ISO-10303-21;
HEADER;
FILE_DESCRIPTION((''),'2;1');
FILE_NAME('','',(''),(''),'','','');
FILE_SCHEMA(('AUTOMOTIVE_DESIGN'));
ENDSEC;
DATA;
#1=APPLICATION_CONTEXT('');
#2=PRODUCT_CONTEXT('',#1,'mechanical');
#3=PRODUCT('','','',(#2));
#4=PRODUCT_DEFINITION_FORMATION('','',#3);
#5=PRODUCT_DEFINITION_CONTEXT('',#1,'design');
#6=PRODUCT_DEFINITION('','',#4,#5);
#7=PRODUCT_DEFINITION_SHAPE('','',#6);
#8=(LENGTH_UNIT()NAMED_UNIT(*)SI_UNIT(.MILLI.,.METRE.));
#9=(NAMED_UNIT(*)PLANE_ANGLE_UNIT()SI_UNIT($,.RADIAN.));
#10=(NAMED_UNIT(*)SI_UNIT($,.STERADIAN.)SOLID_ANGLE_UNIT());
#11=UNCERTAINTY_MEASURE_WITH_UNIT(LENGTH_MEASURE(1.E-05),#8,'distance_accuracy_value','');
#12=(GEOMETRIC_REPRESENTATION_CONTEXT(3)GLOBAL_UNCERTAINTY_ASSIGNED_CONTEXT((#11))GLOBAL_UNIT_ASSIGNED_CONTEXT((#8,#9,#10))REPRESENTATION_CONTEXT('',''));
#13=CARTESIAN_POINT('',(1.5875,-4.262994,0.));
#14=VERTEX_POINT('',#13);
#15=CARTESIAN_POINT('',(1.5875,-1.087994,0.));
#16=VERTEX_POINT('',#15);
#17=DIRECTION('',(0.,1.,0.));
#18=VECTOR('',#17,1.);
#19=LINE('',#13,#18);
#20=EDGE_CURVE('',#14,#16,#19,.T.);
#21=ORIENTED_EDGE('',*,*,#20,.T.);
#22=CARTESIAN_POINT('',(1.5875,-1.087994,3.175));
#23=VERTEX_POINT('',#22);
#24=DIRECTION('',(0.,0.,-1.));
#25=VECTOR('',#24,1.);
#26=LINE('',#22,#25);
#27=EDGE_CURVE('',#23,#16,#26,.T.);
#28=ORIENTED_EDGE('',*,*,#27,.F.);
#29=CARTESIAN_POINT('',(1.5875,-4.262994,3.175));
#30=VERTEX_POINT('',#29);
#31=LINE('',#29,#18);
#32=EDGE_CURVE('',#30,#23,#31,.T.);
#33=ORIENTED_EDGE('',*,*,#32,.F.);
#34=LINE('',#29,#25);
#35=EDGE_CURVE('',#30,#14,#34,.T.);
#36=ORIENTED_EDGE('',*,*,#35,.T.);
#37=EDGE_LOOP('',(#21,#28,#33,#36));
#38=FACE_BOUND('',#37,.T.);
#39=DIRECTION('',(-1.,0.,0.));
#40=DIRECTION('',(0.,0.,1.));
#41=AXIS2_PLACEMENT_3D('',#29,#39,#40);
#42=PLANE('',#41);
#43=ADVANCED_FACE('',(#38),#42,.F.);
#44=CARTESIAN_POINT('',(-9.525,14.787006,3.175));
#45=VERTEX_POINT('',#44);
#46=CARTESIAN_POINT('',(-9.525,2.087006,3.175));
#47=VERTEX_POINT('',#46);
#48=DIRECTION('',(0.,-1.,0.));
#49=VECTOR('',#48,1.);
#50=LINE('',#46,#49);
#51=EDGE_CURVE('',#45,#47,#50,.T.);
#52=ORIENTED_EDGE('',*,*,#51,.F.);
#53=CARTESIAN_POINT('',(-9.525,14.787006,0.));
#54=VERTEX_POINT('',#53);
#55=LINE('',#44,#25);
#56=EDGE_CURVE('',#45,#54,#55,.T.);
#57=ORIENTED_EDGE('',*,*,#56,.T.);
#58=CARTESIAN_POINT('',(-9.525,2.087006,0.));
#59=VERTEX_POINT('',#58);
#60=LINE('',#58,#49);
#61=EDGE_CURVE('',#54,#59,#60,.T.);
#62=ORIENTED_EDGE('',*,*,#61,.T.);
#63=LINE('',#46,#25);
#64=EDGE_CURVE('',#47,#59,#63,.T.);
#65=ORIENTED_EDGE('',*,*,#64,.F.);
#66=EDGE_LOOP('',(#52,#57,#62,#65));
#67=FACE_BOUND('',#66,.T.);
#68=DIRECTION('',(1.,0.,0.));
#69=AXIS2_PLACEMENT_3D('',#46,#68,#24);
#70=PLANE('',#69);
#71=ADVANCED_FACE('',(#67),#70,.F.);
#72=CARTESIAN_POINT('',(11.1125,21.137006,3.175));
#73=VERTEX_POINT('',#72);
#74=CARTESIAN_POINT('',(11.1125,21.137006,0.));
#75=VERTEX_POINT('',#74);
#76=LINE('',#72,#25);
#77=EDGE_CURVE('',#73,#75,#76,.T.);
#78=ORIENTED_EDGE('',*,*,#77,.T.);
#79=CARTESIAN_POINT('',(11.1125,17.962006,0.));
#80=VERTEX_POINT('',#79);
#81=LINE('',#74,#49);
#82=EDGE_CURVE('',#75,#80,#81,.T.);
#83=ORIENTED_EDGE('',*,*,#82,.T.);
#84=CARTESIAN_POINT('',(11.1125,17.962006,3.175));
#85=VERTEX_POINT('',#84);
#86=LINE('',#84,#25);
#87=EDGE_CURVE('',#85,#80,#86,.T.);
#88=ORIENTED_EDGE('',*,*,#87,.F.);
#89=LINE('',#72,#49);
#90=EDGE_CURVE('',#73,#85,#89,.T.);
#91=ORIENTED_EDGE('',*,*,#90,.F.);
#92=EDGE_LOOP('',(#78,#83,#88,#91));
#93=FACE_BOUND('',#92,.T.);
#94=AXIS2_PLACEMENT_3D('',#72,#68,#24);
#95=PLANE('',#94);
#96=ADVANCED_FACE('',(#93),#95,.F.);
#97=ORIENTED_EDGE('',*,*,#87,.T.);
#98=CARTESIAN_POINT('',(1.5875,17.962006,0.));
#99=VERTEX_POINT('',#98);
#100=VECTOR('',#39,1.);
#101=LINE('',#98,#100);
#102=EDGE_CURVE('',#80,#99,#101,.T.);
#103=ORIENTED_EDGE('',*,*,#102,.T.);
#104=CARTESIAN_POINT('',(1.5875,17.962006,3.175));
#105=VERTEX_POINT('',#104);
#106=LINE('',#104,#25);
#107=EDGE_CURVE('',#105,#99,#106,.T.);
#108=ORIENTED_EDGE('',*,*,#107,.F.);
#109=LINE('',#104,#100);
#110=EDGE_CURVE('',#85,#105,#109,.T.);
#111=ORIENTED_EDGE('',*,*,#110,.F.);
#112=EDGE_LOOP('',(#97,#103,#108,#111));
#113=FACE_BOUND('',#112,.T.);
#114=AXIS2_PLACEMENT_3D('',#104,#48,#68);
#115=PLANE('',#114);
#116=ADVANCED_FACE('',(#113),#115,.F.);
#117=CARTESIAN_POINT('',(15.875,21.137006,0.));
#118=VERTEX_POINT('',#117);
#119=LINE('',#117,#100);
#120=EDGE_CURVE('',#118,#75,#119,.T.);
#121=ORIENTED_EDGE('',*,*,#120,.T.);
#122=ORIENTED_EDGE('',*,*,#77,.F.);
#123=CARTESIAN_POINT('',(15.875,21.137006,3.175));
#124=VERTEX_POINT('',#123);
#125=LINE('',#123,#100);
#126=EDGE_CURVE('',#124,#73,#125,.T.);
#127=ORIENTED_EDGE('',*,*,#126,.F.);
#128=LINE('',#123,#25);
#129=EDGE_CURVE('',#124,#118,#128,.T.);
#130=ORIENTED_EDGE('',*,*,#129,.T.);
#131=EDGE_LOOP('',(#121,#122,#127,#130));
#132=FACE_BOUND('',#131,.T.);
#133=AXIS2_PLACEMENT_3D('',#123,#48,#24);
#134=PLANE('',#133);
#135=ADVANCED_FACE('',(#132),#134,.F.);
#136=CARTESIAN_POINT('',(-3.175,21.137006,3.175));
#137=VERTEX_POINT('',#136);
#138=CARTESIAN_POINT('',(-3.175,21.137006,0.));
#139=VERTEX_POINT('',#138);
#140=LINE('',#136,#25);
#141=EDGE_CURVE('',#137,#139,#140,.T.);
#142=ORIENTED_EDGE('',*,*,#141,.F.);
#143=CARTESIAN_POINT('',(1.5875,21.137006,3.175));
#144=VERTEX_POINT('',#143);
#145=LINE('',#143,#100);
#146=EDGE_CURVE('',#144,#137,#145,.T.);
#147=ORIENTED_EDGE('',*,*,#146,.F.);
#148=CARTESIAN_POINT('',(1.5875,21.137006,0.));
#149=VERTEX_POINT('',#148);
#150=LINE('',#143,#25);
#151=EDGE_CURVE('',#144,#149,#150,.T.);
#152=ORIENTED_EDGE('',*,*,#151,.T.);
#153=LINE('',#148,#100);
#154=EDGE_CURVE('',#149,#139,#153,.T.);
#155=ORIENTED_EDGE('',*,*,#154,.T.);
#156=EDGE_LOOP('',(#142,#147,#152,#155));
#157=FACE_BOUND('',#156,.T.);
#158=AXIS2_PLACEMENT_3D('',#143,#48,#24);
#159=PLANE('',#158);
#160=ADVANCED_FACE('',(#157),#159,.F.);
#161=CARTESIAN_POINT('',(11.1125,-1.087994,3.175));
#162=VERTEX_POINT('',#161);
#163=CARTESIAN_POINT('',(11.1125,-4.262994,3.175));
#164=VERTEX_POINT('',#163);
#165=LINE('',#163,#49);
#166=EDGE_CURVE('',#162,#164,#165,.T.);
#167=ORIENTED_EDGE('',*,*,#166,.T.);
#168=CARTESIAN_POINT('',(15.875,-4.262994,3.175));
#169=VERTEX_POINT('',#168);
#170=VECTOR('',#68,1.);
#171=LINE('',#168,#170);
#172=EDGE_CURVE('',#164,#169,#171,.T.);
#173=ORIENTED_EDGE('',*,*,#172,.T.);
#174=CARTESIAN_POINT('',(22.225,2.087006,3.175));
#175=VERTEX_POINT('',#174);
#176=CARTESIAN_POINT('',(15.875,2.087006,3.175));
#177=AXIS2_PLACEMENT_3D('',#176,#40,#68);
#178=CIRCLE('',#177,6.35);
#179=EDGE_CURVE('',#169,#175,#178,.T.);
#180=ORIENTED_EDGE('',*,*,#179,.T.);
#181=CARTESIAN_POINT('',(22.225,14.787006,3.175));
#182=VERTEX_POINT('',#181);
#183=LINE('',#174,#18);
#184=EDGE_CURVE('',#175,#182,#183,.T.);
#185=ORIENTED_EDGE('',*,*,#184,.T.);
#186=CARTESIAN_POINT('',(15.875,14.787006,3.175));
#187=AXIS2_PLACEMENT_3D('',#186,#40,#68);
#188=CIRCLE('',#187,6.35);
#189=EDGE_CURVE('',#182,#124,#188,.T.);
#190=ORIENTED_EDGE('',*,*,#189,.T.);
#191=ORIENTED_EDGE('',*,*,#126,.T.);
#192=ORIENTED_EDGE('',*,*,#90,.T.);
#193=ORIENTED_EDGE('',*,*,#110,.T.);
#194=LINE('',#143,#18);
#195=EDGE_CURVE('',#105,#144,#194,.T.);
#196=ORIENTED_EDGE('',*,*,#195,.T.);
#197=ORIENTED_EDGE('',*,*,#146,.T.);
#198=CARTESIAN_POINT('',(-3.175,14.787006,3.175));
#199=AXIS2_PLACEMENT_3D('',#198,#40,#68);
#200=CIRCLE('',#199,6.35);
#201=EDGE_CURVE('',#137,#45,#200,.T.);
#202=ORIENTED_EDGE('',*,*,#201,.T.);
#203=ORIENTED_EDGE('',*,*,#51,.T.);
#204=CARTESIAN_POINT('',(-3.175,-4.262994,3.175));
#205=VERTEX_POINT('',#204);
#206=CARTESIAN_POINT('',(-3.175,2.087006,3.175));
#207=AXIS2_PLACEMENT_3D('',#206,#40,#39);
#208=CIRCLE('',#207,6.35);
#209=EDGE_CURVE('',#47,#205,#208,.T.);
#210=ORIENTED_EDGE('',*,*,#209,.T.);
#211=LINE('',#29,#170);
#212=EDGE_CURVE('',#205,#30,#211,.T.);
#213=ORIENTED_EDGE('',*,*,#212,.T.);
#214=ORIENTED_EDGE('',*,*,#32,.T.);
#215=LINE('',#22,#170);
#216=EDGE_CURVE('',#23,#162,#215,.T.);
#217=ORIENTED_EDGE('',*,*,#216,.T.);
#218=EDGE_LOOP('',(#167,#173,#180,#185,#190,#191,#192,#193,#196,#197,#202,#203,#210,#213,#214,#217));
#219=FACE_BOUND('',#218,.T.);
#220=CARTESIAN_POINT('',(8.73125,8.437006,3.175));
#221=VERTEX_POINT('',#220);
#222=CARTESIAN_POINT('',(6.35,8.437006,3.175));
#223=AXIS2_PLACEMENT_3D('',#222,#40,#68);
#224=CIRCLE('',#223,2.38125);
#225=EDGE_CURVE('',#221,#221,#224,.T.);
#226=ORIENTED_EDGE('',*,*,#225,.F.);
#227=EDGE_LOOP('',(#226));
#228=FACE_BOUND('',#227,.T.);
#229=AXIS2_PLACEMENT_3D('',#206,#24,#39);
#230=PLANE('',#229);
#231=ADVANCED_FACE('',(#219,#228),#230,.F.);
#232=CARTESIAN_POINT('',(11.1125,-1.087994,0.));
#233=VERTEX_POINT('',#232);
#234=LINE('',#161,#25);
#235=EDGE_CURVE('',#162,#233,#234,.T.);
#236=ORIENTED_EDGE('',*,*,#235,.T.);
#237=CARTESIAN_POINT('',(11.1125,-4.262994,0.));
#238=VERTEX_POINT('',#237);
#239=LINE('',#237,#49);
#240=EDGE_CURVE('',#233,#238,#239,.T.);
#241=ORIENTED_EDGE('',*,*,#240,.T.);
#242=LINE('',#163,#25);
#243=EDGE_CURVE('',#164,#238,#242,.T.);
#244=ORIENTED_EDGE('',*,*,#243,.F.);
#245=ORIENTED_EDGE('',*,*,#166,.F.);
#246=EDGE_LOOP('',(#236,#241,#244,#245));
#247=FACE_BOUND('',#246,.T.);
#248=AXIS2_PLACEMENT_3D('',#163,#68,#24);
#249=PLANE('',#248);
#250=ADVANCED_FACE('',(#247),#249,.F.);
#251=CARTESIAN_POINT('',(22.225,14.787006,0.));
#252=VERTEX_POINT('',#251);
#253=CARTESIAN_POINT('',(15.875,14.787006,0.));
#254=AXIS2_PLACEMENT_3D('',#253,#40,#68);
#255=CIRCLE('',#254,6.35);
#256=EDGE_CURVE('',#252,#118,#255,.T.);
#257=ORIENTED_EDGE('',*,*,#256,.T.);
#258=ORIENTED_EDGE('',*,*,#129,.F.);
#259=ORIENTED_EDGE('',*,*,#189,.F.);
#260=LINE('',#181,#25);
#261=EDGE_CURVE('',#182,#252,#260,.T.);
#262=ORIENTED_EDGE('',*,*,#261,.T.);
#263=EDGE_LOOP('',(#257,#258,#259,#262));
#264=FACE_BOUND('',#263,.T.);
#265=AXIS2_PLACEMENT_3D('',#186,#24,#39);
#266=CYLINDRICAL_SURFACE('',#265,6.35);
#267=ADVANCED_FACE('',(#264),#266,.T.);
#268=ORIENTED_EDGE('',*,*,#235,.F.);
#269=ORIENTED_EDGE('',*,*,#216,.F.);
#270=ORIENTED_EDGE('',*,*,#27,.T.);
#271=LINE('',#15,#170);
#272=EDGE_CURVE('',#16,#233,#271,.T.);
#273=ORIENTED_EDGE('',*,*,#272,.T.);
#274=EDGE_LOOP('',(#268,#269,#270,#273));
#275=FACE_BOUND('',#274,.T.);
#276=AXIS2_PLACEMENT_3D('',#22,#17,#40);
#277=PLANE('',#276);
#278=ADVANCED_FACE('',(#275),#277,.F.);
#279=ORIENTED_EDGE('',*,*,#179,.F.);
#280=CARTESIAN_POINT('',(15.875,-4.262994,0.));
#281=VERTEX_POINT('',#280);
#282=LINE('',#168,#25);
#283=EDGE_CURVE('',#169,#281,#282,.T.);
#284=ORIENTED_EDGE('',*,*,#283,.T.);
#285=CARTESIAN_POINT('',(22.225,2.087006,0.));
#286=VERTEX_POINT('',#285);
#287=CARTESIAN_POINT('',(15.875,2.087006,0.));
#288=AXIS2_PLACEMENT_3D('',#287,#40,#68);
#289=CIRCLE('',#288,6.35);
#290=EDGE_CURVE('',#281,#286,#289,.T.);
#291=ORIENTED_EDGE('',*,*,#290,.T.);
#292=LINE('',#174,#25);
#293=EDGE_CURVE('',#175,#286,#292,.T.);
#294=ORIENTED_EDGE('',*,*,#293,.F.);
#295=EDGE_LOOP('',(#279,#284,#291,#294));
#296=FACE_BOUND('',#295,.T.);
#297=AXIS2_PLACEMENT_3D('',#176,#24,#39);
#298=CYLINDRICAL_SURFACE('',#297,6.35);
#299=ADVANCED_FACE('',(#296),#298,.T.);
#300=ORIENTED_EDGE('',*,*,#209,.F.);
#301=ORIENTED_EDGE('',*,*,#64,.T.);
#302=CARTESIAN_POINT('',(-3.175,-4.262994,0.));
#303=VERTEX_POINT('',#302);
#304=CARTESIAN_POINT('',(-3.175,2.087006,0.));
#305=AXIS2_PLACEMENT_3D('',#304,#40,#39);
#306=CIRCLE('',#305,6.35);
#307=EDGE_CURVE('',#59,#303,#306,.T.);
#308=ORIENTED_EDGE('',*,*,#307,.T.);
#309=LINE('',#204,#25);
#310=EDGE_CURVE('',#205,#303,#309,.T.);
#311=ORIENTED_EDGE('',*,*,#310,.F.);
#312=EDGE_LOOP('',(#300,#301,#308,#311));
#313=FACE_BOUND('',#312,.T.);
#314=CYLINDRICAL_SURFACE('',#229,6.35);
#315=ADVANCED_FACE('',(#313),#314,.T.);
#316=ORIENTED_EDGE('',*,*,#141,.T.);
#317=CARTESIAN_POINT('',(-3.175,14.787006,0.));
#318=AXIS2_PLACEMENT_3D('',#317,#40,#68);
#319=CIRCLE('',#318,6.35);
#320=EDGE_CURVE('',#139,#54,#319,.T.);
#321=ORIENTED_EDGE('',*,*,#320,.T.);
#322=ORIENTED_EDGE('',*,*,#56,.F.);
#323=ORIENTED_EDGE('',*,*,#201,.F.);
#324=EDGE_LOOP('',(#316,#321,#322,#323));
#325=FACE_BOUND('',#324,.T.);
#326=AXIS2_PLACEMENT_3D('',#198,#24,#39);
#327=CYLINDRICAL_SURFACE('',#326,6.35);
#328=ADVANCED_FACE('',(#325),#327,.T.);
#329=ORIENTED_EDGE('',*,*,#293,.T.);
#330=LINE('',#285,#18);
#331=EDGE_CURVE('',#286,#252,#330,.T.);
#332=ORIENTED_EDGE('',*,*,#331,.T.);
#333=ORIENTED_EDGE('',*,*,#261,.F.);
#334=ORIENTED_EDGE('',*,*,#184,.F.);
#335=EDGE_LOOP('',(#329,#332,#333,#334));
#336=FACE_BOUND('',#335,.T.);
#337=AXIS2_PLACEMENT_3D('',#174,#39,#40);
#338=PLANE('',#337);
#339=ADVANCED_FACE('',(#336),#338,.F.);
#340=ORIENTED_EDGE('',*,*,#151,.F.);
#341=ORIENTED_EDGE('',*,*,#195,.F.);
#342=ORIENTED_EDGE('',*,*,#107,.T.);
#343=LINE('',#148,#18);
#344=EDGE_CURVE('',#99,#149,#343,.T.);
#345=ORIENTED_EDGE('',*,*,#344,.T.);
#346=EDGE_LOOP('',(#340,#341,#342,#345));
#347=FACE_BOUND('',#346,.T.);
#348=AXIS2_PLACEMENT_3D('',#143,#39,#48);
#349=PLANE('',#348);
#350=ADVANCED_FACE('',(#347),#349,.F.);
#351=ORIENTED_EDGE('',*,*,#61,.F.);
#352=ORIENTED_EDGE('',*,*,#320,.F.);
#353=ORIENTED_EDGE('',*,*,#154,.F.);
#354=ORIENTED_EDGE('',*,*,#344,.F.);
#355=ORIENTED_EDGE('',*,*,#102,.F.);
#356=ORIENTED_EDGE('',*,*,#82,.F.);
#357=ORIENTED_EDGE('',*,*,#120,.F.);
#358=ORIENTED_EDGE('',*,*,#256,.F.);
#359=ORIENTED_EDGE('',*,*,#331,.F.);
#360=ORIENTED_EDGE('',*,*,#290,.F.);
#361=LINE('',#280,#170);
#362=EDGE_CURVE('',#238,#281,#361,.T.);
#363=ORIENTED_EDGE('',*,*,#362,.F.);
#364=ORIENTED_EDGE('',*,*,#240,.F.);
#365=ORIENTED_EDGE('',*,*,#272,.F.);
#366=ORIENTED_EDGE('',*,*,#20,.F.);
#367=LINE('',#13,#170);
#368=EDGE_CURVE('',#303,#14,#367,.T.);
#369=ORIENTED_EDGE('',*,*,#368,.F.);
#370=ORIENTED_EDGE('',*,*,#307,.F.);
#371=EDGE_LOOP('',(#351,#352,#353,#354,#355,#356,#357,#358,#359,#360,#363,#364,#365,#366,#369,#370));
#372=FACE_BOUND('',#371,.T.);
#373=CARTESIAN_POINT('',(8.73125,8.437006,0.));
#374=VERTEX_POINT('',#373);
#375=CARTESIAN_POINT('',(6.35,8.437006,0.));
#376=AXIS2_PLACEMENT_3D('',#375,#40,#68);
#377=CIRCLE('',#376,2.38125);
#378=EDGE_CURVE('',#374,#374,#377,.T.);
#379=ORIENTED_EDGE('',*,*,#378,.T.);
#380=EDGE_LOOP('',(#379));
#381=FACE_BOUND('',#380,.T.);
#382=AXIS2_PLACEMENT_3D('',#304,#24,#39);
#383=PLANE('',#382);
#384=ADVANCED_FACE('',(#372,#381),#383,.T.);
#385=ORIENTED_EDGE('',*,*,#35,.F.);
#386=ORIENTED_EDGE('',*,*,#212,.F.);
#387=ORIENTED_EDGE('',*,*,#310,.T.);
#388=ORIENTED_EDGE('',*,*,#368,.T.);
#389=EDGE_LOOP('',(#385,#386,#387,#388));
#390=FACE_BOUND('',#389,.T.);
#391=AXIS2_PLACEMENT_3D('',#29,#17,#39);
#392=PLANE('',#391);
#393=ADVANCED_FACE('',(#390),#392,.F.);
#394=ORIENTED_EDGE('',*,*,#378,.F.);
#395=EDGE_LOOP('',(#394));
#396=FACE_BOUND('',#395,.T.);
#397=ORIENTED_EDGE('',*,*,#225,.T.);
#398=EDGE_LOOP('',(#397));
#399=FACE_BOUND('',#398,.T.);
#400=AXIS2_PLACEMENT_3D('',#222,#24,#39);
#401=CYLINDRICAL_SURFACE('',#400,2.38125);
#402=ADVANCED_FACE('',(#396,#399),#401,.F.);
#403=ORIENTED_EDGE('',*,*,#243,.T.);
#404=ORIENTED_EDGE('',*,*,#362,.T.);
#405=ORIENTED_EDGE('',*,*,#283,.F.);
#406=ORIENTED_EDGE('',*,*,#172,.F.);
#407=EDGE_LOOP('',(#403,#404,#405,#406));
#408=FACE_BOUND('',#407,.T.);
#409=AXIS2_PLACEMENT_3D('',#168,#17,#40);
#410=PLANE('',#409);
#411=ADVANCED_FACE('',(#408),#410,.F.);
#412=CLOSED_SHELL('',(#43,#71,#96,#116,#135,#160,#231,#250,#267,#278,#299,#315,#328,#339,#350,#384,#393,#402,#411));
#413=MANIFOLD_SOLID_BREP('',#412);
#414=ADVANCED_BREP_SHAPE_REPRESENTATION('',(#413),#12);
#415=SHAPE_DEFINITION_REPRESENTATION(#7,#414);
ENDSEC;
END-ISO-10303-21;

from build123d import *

# Parameters (mm, degrees)
SKETCH1_R           = 2.38125
BOSS_EXTRUDE1_DEPTH = 3.175


with BuildPart() as part:
    # Sketch1 → Boss-Extrude1 (new body)
    with BuildSketch(Plane.XY):
        with BuildLine():
            Line((1.5875, 21.137006158), (-3.175, 21.137006158))
            ThreePointArc((-3.175, 21.137006158), (-7.665128061, 19.277134219), (-9.525, 14.787006158))
            Line((-9.525, 14.787006158), (-9.525, 2.087006158))
            ThreePointArc((-9.525, 2.087006158), (-7.665128061, -2.403121902), (-3.175, -4.262993842))
            Line((-3.175, -4.262993842), (1.5875, -4.262993842))
            Line((1.5875, -4.262993842), (1.5875, -1.087993842))
            Line((1.5875, -1.087993842), (11.1125, -1.087993842))
            Line((11.1125, -1.087993842), (11.1125, -4.262993842))
            Line((11.1125, -4.262993842), (15.875, -4.262993842))
            ThreePointArc((15.875, -4.262993842), (20.365128061, -2.403121902), (22.225, 2.087006158))
            Line((22.225, 2.087006158), (22.225, 14.787006158))
            ThreePointArc((22.225, 14.787006158), (20.365128061, 19.277134219), (15.875, 21.137006158))
            Line((15.875, 21.137006158), (11.1125, 21.137006158))
            Line((11.1125, 21.137006158), (11.1125, 17.962006158))
            Line((11.1125, 17.962006158), (1.5875, 17.962006158))
            Line((1.5875, 17.962006158), (1.5875, 21.137006158))
        make_face()
        with Locations((6.35, 8.437006158)):
            Circle(SKETCH1_R, mode=Mode.SUBTRACT)
    extrude(amount=BOSS_EXTRUDE1_DEPTH)


solid = part.part
